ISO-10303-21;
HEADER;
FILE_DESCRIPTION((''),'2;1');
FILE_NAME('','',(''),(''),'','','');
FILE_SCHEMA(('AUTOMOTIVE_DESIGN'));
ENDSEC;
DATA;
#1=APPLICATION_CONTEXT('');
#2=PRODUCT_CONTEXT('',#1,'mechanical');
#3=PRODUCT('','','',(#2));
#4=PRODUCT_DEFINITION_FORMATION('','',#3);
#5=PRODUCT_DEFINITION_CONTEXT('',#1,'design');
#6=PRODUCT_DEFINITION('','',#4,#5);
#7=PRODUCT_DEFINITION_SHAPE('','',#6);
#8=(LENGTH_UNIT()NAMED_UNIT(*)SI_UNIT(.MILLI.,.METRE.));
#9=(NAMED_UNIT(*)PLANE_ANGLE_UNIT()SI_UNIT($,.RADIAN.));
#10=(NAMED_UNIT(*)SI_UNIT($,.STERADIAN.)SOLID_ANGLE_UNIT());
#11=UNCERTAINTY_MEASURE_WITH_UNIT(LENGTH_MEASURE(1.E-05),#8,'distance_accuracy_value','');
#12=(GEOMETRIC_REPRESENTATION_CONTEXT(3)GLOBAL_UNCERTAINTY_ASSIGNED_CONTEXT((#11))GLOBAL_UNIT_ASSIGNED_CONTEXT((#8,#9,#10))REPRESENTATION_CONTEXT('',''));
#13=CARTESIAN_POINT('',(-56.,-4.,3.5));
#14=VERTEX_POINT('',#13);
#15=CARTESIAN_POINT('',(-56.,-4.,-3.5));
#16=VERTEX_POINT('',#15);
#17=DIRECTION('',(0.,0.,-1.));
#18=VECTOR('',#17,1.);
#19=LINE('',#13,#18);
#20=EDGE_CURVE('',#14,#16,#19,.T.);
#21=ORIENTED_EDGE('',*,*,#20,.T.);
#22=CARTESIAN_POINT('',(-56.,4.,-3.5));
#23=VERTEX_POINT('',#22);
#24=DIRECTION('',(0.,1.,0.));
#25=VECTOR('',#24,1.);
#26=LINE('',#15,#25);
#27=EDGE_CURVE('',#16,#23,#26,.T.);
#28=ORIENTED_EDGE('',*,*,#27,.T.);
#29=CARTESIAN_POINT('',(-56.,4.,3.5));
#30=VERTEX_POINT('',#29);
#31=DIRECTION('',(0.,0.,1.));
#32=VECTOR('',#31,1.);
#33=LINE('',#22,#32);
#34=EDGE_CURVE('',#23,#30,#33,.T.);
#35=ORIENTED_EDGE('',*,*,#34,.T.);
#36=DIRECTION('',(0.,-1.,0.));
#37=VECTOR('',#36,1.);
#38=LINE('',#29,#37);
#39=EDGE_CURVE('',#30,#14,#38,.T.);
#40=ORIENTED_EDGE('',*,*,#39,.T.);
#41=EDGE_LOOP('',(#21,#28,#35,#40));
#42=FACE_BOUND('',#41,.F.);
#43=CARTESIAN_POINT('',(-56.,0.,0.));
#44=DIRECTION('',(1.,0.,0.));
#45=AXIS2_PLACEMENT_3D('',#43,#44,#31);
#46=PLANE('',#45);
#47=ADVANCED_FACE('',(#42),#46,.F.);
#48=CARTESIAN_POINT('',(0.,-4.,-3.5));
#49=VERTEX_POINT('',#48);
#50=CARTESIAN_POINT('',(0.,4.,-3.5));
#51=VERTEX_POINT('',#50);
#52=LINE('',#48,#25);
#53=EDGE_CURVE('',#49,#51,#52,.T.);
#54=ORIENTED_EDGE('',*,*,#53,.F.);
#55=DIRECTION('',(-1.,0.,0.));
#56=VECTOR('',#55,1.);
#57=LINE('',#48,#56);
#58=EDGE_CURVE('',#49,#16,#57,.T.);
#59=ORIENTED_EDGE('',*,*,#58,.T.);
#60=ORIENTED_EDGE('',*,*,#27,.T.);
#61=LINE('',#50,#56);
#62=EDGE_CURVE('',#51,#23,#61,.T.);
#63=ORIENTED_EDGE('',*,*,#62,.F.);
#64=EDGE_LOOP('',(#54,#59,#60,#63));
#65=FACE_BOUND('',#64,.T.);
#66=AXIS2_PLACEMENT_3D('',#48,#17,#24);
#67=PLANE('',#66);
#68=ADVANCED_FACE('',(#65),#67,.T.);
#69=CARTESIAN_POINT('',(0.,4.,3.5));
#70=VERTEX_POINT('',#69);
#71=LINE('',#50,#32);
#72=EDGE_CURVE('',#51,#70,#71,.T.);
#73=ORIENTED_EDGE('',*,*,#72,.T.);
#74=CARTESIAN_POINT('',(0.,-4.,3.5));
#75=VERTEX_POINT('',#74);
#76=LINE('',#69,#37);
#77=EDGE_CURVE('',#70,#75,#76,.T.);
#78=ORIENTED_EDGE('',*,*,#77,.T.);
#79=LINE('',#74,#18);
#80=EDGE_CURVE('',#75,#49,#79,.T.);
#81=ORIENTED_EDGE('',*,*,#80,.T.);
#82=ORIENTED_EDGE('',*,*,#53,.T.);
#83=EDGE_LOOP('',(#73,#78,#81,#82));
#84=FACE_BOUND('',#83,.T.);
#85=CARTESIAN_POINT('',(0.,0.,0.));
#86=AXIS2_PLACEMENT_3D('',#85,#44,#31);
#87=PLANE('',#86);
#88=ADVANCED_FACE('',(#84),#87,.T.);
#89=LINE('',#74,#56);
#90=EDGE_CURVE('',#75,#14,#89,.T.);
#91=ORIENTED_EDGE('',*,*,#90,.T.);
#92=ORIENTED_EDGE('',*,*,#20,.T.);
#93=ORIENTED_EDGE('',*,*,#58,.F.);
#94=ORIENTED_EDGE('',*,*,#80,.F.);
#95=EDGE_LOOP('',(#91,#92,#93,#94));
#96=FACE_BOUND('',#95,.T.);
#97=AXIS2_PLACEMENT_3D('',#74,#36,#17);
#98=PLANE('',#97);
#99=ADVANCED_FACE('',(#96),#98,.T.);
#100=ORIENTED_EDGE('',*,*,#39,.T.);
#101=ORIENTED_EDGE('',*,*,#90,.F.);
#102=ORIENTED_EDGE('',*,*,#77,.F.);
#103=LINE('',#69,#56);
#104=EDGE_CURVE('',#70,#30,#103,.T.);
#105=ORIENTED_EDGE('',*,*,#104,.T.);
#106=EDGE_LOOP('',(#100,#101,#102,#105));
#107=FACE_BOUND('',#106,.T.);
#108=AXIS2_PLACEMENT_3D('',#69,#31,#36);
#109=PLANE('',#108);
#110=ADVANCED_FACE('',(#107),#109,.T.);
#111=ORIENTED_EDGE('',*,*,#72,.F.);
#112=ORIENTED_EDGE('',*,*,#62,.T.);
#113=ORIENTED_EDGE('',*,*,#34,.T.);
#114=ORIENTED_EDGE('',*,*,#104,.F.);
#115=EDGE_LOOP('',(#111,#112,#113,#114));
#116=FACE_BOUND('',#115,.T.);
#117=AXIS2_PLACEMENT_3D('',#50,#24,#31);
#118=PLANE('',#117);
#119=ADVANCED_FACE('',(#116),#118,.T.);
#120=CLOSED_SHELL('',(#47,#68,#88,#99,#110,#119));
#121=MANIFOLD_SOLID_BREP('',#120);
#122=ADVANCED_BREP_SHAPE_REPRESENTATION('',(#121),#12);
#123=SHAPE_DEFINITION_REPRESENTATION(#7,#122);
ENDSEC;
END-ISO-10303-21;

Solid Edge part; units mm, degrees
sketch "Sketch1" plane through (0, 0, 0) normal (1, 0, 0) x (0, 1, 0)
  line L0 (-4, 3.5) -> (-4, -3.5)
  line L1 (-4, -3.5) -> (4, -3.5)
  line L2 (4, -3.5) -> (4, 3.5)
  line L3 (4, 3.5) -> (-4, 3.5)
extrude "ExtrudedProtrusion_1" add sketch "Sketch1" against normal blind 56
